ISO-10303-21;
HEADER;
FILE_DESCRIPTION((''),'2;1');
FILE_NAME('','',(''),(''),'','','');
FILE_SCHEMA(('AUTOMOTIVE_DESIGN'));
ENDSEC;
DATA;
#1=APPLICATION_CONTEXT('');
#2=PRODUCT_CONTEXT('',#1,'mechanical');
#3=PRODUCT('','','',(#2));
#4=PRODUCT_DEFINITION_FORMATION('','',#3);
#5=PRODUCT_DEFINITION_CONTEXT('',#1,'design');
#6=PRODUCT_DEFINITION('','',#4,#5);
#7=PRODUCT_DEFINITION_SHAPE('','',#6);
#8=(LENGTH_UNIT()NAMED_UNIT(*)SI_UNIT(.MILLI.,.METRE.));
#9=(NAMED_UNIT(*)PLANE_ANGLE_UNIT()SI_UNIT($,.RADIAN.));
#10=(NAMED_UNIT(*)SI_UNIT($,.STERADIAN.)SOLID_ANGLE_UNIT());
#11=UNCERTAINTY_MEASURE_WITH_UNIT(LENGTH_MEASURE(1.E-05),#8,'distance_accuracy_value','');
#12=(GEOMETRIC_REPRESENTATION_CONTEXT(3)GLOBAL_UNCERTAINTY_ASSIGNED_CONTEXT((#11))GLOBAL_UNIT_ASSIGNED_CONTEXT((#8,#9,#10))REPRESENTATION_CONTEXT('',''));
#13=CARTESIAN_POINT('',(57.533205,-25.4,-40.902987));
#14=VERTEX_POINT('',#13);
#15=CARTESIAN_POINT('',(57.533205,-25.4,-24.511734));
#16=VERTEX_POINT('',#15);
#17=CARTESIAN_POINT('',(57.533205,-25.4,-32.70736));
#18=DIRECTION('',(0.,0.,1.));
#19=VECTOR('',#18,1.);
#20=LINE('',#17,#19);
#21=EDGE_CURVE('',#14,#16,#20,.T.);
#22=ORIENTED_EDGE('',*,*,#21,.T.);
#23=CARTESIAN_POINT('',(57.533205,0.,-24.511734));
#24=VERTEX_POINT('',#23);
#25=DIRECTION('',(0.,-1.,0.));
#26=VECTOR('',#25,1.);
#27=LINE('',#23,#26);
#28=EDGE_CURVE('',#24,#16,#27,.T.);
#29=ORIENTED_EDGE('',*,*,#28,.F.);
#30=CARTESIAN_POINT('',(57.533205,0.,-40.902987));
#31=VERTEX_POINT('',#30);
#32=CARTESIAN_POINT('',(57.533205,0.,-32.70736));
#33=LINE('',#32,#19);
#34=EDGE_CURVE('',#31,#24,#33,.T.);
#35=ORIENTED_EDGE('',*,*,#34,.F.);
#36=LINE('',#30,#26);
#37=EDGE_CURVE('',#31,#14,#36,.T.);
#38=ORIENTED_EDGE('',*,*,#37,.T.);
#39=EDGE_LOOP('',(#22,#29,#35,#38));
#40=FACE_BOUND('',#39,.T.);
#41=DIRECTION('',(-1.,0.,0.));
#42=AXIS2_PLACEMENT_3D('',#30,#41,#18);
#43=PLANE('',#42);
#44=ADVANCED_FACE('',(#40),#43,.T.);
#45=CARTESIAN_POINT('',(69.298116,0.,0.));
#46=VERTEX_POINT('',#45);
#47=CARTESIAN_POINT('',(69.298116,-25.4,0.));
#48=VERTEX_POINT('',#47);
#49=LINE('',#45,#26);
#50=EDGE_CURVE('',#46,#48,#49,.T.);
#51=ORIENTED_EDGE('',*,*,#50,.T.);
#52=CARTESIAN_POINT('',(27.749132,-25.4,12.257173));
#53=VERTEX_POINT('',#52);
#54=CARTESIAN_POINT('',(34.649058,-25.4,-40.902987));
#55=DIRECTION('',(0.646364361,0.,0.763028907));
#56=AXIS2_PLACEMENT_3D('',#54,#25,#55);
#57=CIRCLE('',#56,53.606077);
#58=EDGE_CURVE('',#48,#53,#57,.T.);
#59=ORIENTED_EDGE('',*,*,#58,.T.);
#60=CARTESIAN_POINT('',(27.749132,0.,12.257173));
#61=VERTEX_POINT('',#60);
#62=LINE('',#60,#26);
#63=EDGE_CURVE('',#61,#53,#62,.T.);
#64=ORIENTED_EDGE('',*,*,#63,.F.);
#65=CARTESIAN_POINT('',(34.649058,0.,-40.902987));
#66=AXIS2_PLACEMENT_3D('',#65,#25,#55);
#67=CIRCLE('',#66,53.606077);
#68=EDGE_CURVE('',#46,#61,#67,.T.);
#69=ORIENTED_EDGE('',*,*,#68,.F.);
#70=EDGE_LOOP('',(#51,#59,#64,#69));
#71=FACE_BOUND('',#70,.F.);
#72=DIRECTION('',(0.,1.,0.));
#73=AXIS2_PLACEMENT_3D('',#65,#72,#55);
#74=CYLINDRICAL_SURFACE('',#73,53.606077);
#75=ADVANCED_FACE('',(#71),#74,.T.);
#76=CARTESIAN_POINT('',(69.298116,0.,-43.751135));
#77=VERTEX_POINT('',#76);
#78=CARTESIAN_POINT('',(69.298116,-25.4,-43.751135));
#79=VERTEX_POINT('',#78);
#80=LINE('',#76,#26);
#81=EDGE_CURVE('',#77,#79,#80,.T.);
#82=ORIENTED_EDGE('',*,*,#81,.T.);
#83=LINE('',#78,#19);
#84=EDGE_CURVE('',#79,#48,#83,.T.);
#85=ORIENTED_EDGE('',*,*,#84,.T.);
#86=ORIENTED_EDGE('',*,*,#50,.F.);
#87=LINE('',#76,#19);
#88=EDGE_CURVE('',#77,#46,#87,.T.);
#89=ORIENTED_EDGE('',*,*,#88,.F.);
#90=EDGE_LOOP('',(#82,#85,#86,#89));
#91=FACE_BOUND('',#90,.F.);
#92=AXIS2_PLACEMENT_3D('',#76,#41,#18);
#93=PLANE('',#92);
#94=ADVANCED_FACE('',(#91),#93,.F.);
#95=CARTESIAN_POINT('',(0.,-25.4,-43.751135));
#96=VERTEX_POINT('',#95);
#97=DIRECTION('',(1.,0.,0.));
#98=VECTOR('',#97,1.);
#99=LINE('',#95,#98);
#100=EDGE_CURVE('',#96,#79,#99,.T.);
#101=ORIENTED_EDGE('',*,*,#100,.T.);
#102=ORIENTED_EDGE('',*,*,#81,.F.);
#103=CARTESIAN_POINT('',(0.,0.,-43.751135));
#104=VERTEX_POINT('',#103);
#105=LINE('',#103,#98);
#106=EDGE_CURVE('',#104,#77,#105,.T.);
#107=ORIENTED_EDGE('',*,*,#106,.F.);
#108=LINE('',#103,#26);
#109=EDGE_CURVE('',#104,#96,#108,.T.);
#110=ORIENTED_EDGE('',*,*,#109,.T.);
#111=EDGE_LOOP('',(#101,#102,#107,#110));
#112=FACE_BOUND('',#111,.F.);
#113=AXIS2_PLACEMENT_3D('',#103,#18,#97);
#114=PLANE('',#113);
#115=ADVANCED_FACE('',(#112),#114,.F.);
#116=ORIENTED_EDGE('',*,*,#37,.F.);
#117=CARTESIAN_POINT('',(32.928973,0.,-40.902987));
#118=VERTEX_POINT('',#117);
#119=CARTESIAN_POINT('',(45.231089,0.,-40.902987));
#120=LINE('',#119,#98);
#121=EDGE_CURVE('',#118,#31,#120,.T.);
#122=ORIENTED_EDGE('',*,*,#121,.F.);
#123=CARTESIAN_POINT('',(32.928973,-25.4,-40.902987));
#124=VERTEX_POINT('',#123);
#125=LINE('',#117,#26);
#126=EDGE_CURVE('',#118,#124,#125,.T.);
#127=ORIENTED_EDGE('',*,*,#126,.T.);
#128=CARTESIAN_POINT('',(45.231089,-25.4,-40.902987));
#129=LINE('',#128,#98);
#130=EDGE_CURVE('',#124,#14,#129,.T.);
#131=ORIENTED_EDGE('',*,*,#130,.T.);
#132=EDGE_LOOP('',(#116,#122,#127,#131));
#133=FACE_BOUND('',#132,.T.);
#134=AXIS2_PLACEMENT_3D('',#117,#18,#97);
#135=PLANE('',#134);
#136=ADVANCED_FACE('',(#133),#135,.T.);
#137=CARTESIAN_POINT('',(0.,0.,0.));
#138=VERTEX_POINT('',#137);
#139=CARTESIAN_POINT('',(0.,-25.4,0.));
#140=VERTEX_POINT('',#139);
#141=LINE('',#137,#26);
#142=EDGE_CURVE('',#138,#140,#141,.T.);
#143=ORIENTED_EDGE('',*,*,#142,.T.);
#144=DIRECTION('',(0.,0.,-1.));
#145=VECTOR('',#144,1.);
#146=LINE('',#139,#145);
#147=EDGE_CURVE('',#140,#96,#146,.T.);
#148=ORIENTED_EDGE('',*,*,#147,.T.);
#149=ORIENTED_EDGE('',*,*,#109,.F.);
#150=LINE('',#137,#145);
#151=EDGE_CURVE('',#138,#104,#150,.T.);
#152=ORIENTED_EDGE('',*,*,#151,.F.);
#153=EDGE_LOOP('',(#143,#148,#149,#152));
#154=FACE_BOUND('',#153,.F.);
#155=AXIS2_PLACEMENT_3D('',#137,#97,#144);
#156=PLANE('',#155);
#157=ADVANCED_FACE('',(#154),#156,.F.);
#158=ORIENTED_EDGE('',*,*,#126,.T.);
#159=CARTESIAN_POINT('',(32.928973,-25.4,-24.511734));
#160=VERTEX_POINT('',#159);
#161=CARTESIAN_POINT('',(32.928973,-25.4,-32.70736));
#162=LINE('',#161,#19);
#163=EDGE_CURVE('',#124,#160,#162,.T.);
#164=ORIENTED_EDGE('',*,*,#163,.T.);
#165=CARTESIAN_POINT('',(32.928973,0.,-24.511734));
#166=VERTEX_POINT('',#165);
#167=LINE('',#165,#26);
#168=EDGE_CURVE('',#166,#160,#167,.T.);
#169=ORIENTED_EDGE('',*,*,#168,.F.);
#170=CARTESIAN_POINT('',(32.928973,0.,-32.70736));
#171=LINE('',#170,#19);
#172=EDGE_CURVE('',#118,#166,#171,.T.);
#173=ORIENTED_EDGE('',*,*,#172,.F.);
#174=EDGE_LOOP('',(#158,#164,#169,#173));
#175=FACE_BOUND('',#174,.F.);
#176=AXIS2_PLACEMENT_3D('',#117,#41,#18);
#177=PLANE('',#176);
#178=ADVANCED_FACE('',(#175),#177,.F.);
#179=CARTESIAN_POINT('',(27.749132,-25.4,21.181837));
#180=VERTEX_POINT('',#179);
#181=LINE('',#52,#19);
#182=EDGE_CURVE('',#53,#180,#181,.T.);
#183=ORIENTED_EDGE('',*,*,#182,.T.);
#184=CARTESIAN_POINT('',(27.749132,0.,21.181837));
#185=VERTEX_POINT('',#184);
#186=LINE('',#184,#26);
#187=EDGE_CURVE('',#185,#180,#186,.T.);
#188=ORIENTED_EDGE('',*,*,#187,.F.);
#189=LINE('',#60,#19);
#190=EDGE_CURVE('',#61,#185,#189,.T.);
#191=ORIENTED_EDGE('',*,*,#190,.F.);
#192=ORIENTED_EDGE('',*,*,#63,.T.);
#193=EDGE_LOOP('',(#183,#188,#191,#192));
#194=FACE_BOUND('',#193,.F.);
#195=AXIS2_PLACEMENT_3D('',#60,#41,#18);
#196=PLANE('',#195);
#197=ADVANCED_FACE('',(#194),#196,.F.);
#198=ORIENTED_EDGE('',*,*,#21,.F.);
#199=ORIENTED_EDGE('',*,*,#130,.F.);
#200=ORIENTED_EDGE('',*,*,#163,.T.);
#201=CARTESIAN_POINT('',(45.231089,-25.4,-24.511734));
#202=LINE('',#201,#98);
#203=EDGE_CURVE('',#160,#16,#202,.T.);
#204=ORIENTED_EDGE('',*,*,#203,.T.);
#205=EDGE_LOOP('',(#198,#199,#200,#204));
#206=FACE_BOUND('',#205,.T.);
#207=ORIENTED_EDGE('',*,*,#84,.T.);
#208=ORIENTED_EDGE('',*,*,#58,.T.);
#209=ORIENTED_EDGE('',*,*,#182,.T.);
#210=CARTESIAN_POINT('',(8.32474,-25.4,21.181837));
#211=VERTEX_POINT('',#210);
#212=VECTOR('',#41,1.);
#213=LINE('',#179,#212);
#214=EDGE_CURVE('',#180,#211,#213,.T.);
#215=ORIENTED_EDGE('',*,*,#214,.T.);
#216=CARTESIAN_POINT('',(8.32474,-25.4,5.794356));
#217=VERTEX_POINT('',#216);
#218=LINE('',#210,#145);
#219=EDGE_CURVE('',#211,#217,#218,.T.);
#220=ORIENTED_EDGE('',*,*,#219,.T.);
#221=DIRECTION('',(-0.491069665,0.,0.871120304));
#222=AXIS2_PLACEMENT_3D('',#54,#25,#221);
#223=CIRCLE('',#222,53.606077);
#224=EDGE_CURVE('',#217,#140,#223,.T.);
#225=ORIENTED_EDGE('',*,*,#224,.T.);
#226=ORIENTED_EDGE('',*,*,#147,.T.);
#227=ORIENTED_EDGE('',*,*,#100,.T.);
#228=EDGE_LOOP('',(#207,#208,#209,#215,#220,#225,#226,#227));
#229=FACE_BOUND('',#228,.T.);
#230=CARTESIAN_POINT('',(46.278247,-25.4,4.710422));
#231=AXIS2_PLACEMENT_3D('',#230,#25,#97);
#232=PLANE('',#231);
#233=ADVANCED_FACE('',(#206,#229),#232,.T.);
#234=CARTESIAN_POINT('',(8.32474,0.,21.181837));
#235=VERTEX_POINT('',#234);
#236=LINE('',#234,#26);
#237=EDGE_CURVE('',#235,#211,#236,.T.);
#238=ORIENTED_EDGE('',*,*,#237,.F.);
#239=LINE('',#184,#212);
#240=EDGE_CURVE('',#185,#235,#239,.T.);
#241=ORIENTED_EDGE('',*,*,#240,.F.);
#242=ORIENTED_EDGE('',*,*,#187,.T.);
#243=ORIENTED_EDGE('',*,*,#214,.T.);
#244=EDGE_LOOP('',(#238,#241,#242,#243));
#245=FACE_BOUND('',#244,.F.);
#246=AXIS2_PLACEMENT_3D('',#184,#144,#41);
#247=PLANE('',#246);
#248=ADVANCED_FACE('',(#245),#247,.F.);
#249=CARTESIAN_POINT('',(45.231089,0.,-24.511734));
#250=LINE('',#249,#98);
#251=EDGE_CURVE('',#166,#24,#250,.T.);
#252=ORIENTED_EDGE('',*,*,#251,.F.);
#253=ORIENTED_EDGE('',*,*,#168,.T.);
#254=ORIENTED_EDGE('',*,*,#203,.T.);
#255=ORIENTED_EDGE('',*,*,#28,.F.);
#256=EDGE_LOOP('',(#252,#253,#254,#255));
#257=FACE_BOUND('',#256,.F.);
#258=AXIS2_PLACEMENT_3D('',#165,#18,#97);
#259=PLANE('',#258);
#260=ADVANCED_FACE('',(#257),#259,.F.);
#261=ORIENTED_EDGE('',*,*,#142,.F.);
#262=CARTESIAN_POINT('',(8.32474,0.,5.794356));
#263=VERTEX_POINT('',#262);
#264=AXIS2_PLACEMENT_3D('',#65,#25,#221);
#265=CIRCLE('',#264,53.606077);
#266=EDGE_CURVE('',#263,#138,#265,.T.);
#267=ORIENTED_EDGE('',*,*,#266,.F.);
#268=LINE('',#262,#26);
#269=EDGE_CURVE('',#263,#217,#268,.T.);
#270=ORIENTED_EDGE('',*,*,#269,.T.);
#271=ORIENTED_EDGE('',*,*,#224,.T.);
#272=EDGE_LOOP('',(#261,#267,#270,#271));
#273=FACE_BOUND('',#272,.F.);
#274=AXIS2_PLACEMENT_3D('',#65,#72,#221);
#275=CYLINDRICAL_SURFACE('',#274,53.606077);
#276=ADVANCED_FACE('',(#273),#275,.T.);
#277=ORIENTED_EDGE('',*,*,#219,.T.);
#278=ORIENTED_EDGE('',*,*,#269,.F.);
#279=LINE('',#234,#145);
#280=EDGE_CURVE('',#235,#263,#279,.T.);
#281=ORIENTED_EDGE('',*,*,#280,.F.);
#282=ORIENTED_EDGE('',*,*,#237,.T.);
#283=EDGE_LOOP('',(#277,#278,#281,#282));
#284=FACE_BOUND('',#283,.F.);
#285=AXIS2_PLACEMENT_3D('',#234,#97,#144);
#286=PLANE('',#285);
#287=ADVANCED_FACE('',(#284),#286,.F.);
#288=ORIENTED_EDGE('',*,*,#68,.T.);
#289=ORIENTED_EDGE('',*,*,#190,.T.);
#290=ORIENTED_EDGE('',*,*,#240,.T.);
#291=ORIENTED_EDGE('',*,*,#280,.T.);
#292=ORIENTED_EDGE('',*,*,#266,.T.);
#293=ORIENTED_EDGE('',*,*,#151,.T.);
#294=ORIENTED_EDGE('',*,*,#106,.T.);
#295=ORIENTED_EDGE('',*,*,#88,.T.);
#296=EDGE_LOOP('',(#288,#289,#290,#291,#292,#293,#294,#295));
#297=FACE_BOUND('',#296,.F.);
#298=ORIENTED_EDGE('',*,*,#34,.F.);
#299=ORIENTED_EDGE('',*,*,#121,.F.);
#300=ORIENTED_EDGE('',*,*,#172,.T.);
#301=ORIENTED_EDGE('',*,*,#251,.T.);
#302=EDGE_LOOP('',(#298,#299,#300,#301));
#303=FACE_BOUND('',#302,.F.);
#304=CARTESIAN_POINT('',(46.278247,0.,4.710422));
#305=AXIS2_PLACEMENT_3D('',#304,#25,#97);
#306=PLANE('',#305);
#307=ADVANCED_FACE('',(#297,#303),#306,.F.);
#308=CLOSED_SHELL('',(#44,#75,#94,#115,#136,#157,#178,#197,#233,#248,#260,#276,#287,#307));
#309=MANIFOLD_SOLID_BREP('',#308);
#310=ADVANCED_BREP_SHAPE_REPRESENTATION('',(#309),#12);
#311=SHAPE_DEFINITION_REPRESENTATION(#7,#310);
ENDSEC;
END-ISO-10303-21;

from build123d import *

# Parameters (mm, degrees)
F0_W     = 24.6042311192
F0_H     = 16.391252639
F1_DEPTH = 25.4


with BuildPart() as f1:
    # F0 (on Front) → F1 (new body)
    with BuildSketch(Plane.XZ):
        with BuildLine():
            Line((27.749132365, 0), (69.2981160323, 0))
            ThreePointArc((69.2981160323, 0), (49.8168910408, 10.5124621895), (27.749132365, 12.2571729058))
            Line((27.749132365, 12.2571729058), (27.749132365, 0))
        make_face()
        Polygon((69.2981160323, -43.7511354685), (69.2981160323, 0), (27.749132365, 0), (8.3247395232, 0), (0, 0), (0, -43.7511354685), align=None)
        with Locations((45.2310889959, -32.7073603432)):
            Rectangle(F0_W, F0_H, mode=Mode.SUBTRACT)
        with BuildLine():
            Line((27.749132365, 0), (27.749132365, 12.2571729058))
            ThreePointArc((27.749132365, 12.2571729058), (17.7255654423, 9.9616074912), (8.3247395232, 5.7943558229))
            Line((8.3247395232, 5.7943558229), (8.3247395232, 0))
            Line((8.3247395232, 0), (27.749132365, 0))
        make_face()
        with BuildLine():
            ThreePointArc((8.3247395232, 5.7943558229), (17.7255654423, 9.9616074912), (27.749132365, 12.2571729058))
            Line((27.749132365, 12.2571729058), (27.749132365, 21.1818367243))
            Line((27.749132365, 21.1818367243), (8.3247395232, 21.1818367243))
            Line((8.3247395232, 21.1818367243), (8.3247395232, 5.7943558229))
        make_face()
        with BuildLine():
            Line((8.3247395232, 0), (8.3247395232, 5.7943558229))
            ThreePointArc((8.3247395232, 5.7943558229), (4.0250184299, 3.0945102974), (0, 0))
            Line((0, 0), (8.3247395232, 0))
        make_face()
    extrude(amount=F1_DEPTH)


solid = f1.part
